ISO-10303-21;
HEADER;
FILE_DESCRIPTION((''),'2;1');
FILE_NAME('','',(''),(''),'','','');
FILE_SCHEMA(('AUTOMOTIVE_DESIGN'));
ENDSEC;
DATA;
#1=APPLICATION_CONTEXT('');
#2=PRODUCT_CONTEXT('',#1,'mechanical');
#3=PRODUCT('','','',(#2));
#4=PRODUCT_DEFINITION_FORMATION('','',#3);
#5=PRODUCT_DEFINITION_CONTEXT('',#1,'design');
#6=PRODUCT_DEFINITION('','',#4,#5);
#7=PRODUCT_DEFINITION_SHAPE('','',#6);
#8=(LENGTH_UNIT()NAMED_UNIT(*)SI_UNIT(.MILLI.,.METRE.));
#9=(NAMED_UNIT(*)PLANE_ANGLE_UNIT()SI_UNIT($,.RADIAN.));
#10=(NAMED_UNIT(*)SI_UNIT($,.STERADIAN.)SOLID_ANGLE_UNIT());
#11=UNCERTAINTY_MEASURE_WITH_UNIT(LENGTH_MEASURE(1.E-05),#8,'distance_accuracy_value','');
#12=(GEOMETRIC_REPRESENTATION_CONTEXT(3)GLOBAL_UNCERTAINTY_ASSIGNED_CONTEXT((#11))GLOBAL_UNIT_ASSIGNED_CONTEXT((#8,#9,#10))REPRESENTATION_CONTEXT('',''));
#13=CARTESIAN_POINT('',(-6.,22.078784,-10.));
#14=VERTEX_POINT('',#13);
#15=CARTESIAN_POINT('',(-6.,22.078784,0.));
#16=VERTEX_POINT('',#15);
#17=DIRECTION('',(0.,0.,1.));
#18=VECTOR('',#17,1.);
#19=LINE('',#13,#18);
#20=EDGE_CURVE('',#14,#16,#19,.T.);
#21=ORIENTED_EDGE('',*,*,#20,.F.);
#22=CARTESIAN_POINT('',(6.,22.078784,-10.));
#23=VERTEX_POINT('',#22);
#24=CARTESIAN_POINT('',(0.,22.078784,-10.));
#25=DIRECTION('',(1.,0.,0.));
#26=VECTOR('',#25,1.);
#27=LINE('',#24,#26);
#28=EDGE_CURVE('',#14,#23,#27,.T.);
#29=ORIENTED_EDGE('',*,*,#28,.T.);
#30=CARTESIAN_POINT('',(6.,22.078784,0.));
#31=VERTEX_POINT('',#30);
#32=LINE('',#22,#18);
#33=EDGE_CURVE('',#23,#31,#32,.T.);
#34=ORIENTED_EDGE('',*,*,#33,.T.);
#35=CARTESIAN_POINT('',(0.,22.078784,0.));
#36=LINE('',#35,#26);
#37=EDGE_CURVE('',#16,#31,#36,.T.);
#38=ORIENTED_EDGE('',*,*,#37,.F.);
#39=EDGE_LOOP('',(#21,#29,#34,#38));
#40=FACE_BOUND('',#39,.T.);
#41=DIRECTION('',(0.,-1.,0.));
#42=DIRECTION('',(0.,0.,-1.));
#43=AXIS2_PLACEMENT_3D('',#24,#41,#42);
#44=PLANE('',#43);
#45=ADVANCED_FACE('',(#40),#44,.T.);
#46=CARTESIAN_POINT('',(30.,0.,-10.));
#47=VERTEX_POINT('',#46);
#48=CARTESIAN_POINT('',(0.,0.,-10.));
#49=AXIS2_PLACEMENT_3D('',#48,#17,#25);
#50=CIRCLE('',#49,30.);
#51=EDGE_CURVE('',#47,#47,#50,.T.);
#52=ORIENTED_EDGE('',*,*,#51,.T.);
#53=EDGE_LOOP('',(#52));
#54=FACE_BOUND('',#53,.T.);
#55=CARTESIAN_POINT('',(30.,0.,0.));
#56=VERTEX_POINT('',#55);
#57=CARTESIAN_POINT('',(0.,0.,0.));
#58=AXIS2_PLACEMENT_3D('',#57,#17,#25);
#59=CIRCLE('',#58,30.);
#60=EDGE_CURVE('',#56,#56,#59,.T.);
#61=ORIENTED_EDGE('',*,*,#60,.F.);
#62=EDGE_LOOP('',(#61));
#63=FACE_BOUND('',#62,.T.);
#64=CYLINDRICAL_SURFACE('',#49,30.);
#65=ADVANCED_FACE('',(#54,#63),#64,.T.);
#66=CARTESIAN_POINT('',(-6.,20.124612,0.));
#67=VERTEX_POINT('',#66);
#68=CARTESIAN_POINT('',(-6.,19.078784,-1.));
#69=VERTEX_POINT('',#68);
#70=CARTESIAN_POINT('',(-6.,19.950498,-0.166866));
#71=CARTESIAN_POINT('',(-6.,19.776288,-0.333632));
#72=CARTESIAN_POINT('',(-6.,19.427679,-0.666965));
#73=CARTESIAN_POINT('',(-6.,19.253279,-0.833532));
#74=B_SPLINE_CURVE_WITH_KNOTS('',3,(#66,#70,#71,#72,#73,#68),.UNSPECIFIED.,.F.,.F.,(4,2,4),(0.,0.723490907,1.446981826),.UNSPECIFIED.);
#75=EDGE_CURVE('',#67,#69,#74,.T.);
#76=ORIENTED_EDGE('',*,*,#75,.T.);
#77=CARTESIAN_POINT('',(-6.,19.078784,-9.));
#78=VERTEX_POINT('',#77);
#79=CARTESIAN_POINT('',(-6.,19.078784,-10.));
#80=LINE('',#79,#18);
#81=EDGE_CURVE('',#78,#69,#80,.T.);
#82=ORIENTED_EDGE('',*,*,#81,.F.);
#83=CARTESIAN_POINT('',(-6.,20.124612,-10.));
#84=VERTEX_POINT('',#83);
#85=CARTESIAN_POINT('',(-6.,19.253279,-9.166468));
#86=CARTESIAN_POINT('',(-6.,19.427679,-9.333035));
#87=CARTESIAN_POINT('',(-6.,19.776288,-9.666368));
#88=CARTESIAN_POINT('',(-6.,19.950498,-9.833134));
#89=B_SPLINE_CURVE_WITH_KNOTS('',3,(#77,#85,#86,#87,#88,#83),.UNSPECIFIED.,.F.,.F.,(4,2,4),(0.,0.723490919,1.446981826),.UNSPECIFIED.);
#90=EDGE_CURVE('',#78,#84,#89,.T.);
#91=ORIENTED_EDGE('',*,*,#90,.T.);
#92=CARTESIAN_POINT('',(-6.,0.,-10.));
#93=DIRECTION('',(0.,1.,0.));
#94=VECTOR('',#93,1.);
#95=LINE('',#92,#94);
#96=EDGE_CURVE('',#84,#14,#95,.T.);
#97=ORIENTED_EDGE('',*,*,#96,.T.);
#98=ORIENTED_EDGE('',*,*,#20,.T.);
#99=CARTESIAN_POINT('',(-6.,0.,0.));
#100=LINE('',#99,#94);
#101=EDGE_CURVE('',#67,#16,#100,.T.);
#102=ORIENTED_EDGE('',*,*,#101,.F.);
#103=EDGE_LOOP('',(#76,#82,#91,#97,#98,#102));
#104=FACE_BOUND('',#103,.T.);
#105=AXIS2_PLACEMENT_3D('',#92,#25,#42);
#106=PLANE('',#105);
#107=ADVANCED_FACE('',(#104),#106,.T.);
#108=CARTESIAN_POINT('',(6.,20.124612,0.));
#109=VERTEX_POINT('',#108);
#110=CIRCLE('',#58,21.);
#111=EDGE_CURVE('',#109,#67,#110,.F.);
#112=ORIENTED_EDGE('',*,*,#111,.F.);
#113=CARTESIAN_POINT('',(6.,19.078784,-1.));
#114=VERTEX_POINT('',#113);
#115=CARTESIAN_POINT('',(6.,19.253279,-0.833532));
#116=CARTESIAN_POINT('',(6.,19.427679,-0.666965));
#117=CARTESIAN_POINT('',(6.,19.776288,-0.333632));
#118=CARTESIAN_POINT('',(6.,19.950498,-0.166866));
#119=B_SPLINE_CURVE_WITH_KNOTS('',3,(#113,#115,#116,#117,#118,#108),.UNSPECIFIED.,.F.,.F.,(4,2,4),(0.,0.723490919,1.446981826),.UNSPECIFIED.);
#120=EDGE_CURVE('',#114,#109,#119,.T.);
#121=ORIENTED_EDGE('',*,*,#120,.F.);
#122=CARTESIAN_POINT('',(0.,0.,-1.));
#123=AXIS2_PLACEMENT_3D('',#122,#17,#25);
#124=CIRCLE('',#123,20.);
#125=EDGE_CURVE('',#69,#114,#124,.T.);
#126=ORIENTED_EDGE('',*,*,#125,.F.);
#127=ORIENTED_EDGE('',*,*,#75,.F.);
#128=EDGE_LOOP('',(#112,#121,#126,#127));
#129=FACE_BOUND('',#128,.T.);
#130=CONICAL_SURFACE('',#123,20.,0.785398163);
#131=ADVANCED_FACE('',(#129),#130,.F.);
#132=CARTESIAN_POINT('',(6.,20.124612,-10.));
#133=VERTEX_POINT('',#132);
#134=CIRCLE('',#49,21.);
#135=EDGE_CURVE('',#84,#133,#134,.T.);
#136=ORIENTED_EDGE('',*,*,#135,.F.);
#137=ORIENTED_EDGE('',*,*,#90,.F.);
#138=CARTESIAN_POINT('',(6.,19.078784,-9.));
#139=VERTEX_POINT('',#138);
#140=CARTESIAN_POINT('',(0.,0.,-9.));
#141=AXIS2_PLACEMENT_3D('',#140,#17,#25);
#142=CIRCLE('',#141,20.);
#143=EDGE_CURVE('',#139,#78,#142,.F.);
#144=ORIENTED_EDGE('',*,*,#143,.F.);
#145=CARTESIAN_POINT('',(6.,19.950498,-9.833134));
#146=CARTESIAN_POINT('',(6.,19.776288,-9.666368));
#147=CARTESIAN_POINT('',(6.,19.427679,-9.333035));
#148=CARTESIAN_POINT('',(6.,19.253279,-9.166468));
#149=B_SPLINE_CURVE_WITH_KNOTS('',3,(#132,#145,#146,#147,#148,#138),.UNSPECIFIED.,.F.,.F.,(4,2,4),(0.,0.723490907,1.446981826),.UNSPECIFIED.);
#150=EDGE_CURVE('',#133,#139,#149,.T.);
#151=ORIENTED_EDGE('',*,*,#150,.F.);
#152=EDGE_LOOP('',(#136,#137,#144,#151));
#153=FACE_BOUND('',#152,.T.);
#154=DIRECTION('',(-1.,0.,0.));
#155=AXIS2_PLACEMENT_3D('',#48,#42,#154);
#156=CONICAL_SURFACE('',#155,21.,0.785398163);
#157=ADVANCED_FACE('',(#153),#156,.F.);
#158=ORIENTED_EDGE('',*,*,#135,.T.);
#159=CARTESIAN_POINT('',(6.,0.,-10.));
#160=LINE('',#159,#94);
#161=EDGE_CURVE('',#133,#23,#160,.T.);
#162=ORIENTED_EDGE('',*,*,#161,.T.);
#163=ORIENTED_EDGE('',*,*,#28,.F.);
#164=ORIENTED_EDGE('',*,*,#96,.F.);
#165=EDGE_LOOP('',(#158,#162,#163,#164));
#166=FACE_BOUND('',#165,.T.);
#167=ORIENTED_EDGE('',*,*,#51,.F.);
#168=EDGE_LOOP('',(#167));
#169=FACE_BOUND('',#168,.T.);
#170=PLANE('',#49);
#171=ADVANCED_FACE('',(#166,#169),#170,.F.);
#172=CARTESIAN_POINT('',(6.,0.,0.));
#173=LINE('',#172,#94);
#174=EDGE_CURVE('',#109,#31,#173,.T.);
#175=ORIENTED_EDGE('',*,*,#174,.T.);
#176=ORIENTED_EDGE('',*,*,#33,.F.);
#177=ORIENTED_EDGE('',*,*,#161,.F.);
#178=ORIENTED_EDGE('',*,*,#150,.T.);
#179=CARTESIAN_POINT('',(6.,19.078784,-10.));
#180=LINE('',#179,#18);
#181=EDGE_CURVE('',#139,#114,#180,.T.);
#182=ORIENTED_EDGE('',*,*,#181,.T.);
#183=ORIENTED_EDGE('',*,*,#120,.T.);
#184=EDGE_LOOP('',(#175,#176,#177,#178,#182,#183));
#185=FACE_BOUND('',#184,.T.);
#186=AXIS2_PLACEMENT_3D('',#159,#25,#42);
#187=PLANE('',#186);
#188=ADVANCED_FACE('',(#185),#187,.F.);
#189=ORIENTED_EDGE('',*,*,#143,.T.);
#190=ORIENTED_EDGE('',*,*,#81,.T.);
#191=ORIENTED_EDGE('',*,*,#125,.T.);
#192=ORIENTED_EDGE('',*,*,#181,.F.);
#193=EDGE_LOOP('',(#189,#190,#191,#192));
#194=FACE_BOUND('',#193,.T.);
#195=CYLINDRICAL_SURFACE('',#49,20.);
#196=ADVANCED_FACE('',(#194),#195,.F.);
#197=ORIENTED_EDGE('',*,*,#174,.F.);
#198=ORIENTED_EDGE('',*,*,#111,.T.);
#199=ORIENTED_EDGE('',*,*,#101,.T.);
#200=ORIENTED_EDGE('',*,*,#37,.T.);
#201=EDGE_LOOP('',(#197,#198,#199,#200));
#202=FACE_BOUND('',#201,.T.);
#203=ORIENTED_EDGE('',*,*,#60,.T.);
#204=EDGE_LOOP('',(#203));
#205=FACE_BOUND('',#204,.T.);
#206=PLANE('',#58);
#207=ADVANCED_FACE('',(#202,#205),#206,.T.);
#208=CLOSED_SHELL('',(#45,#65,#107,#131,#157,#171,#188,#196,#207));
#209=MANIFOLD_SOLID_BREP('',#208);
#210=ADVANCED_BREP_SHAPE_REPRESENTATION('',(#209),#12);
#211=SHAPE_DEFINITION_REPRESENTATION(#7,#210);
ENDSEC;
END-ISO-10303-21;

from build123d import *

# Parameters (mm, degrees)
SKETCH1_R           = 30
BOSS_EXTRUDE1_DEPTH = 10
CHAMFER1_SIZE       = 1


with BuildPart() as part:
    # Sketch1 → Boss-Extrude1 (new body)
    with BuildSketch(Plane.XY):
        Circle(SKETCH1_R)
        with BuildLine():
            ThreePointArc((-6, 19.078784028), (0, -20), (6, 19.078784028))
            Line((6, 19.078784028), (6, 22.078784028))
            Line((6, 22.078784028), (-6, 22.078784028))
            Line((-6, 22.078784028), (-6, 19.078784028))
        make_face(mode=Mode.SUBTRACT)
    extrude(amount=-BOSS_EXTRUDE1_DEPTH)

    # Chamfer1
    chamfer1_edges = [part.edges().sort_by_distance(p)[0] for p in [
        (0, -20, -10),
        (0, -20, 0),
    ]]
    chamfer(chamfer1_edges, length=CHAMFER1_SIZE)


solid = part.part
